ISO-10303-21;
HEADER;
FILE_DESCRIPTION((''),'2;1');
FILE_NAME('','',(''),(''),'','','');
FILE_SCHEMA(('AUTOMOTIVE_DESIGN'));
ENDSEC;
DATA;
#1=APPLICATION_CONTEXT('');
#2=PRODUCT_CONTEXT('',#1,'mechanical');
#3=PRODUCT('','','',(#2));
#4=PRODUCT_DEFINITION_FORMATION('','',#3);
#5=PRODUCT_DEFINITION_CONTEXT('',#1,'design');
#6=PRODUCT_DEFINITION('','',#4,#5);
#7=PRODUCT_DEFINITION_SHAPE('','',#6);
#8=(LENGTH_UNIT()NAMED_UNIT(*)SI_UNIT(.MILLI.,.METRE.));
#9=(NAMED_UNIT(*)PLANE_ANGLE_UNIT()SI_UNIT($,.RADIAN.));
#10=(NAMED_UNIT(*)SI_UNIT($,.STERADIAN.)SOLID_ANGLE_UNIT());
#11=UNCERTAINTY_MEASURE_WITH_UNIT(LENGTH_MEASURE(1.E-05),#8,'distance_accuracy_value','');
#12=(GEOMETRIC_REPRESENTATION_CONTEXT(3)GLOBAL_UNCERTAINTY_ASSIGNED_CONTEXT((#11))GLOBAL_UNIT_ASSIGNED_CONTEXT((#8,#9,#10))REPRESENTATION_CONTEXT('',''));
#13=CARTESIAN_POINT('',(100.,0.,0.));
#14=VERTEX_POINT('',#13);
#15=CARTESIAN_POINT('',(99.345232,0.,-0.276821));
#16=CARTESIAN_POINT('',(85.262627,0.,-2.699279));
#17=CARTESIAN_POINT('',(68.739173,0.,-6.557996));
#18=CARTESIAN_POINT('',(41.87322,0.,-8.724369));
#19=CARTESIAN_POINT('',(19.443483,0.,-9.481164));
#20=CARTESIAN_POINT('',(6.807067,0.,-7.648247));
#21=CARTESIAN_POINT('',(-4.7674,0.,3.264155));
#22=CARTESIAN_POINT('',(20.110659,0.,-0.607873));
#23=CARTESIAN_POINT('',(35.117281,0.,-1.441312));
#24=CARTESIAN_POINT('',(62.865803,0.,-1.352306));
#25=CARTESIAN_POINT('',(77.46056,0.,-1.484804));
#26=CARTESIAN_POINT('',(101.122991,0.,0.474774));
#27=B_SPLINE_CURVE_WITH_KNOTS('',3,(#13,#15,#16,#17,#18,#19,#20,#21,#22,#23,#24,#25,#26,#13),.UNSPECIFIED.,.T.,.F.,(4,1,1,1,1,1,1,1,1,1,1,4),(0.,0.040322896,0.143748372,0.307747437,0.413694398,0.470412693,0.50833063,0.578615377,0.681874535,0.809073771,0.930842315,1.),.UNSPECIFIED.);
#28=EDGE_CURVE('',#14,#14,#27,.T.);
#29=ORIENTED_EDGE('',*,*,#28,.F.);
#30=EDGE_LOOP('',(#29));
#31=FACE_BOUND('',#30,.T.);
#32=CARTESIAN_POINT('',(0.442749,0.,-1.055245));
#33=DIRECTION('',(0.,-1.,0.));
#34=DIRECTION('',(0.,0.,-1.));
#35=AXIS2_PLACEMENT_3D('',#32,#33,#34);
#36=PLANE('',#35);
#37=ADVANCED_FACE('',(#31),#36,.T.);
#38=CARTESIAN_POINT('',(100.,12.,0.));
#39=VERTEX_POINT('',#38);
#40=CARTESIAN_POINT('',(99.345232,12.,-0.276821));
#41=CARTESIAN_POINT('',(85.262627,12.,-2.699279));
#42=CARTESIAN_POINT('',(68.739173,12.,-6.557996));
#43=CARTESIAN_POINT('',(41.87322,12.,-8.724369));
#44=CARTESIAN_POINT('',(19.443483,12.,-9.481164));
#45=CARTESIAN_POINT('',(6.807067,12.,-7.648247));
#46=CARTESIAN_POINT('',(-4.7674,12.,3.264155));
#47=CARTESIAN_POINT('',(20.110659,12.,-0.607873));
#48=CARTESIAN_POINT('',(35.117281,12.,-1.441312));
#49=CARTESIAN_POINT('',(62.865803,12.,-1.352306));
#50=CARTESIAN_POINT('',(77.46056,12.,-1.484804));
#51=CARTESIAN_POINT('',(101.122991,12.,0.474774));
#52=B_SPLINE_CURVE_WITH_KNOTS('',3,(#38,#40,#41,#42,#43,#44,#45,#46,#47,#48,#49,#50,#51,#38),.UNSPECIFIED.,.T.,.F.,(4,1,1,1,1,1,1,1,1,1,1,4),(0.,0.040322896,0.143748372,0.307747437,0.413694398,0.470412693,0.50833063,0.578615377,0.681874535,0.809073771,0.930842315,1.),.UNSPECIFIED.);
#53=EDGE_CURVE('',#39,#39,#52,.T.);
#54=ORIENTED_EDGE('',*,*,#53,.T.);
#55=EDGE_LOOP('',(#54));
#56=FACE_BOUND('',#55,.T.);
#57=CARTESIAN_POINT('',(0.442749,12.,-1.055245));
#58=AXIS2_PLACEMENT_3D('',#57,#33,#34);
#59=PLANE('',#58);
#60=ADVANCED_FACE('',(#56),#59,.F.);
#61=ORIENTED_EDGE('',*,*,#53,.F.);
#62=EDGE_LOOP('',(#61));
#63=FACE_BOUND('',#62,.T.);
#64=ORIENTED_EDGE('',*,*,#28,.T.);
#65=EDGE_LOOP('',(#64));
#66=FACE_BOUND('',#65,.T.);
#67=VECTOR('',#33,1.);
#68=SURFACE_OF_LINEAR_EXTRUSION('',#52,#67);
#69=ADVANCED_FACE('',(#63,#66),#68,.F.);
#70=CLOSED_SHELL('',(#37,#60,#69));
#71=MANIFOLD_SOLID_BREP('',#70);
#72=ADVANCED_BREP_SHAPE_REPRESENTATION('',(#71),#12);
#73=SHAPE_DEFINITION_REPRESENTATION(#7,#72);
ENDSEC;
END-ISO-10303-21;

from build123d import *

# Parameters (mm, degrees)
BOSS_EXTRUDE1_DEPTH = 12


with BuildPart() as part:
    # Sketch1 → Boss-Extrude1 (new body)
    with BuildSketch(Plane(origin=(0, 0, 0), x_dir=(1, 0, 0), z_dir=(0, 1, 0))):
        with BuildLine():
            add(Edge.make_bspline(
                [(100, 0), (99.345231917, 0.276820733), (85.262627049, 2.699279426), (68.739172597, 6.557996207), (41.873219962, 8.724369046), (19.443483023, 9.481163982), (6.80706733, 7.64824681), (-4.767400279, -3.264154704), (20.110659344, 0.607873235), (35.117280697, 1.441311521), (62.865803217, 1.352305678), (77.460559586, 1.484803675), (101.122990872, -0.474774449), (100, 0)],
                knots=[0, 0, 0, 0, 0.040322896, 0.143748372, 0.307747437, 0.413694398, 0.470412693, 0.50833063, 0.578615377, 0.681874535, 0.809073771, 0.930842315, 1, 1, 1, 1], degree=3))
        make_face()
    extrude(amount=BOSS_EXTRUDE1_DEPTH)


solid = part.part
